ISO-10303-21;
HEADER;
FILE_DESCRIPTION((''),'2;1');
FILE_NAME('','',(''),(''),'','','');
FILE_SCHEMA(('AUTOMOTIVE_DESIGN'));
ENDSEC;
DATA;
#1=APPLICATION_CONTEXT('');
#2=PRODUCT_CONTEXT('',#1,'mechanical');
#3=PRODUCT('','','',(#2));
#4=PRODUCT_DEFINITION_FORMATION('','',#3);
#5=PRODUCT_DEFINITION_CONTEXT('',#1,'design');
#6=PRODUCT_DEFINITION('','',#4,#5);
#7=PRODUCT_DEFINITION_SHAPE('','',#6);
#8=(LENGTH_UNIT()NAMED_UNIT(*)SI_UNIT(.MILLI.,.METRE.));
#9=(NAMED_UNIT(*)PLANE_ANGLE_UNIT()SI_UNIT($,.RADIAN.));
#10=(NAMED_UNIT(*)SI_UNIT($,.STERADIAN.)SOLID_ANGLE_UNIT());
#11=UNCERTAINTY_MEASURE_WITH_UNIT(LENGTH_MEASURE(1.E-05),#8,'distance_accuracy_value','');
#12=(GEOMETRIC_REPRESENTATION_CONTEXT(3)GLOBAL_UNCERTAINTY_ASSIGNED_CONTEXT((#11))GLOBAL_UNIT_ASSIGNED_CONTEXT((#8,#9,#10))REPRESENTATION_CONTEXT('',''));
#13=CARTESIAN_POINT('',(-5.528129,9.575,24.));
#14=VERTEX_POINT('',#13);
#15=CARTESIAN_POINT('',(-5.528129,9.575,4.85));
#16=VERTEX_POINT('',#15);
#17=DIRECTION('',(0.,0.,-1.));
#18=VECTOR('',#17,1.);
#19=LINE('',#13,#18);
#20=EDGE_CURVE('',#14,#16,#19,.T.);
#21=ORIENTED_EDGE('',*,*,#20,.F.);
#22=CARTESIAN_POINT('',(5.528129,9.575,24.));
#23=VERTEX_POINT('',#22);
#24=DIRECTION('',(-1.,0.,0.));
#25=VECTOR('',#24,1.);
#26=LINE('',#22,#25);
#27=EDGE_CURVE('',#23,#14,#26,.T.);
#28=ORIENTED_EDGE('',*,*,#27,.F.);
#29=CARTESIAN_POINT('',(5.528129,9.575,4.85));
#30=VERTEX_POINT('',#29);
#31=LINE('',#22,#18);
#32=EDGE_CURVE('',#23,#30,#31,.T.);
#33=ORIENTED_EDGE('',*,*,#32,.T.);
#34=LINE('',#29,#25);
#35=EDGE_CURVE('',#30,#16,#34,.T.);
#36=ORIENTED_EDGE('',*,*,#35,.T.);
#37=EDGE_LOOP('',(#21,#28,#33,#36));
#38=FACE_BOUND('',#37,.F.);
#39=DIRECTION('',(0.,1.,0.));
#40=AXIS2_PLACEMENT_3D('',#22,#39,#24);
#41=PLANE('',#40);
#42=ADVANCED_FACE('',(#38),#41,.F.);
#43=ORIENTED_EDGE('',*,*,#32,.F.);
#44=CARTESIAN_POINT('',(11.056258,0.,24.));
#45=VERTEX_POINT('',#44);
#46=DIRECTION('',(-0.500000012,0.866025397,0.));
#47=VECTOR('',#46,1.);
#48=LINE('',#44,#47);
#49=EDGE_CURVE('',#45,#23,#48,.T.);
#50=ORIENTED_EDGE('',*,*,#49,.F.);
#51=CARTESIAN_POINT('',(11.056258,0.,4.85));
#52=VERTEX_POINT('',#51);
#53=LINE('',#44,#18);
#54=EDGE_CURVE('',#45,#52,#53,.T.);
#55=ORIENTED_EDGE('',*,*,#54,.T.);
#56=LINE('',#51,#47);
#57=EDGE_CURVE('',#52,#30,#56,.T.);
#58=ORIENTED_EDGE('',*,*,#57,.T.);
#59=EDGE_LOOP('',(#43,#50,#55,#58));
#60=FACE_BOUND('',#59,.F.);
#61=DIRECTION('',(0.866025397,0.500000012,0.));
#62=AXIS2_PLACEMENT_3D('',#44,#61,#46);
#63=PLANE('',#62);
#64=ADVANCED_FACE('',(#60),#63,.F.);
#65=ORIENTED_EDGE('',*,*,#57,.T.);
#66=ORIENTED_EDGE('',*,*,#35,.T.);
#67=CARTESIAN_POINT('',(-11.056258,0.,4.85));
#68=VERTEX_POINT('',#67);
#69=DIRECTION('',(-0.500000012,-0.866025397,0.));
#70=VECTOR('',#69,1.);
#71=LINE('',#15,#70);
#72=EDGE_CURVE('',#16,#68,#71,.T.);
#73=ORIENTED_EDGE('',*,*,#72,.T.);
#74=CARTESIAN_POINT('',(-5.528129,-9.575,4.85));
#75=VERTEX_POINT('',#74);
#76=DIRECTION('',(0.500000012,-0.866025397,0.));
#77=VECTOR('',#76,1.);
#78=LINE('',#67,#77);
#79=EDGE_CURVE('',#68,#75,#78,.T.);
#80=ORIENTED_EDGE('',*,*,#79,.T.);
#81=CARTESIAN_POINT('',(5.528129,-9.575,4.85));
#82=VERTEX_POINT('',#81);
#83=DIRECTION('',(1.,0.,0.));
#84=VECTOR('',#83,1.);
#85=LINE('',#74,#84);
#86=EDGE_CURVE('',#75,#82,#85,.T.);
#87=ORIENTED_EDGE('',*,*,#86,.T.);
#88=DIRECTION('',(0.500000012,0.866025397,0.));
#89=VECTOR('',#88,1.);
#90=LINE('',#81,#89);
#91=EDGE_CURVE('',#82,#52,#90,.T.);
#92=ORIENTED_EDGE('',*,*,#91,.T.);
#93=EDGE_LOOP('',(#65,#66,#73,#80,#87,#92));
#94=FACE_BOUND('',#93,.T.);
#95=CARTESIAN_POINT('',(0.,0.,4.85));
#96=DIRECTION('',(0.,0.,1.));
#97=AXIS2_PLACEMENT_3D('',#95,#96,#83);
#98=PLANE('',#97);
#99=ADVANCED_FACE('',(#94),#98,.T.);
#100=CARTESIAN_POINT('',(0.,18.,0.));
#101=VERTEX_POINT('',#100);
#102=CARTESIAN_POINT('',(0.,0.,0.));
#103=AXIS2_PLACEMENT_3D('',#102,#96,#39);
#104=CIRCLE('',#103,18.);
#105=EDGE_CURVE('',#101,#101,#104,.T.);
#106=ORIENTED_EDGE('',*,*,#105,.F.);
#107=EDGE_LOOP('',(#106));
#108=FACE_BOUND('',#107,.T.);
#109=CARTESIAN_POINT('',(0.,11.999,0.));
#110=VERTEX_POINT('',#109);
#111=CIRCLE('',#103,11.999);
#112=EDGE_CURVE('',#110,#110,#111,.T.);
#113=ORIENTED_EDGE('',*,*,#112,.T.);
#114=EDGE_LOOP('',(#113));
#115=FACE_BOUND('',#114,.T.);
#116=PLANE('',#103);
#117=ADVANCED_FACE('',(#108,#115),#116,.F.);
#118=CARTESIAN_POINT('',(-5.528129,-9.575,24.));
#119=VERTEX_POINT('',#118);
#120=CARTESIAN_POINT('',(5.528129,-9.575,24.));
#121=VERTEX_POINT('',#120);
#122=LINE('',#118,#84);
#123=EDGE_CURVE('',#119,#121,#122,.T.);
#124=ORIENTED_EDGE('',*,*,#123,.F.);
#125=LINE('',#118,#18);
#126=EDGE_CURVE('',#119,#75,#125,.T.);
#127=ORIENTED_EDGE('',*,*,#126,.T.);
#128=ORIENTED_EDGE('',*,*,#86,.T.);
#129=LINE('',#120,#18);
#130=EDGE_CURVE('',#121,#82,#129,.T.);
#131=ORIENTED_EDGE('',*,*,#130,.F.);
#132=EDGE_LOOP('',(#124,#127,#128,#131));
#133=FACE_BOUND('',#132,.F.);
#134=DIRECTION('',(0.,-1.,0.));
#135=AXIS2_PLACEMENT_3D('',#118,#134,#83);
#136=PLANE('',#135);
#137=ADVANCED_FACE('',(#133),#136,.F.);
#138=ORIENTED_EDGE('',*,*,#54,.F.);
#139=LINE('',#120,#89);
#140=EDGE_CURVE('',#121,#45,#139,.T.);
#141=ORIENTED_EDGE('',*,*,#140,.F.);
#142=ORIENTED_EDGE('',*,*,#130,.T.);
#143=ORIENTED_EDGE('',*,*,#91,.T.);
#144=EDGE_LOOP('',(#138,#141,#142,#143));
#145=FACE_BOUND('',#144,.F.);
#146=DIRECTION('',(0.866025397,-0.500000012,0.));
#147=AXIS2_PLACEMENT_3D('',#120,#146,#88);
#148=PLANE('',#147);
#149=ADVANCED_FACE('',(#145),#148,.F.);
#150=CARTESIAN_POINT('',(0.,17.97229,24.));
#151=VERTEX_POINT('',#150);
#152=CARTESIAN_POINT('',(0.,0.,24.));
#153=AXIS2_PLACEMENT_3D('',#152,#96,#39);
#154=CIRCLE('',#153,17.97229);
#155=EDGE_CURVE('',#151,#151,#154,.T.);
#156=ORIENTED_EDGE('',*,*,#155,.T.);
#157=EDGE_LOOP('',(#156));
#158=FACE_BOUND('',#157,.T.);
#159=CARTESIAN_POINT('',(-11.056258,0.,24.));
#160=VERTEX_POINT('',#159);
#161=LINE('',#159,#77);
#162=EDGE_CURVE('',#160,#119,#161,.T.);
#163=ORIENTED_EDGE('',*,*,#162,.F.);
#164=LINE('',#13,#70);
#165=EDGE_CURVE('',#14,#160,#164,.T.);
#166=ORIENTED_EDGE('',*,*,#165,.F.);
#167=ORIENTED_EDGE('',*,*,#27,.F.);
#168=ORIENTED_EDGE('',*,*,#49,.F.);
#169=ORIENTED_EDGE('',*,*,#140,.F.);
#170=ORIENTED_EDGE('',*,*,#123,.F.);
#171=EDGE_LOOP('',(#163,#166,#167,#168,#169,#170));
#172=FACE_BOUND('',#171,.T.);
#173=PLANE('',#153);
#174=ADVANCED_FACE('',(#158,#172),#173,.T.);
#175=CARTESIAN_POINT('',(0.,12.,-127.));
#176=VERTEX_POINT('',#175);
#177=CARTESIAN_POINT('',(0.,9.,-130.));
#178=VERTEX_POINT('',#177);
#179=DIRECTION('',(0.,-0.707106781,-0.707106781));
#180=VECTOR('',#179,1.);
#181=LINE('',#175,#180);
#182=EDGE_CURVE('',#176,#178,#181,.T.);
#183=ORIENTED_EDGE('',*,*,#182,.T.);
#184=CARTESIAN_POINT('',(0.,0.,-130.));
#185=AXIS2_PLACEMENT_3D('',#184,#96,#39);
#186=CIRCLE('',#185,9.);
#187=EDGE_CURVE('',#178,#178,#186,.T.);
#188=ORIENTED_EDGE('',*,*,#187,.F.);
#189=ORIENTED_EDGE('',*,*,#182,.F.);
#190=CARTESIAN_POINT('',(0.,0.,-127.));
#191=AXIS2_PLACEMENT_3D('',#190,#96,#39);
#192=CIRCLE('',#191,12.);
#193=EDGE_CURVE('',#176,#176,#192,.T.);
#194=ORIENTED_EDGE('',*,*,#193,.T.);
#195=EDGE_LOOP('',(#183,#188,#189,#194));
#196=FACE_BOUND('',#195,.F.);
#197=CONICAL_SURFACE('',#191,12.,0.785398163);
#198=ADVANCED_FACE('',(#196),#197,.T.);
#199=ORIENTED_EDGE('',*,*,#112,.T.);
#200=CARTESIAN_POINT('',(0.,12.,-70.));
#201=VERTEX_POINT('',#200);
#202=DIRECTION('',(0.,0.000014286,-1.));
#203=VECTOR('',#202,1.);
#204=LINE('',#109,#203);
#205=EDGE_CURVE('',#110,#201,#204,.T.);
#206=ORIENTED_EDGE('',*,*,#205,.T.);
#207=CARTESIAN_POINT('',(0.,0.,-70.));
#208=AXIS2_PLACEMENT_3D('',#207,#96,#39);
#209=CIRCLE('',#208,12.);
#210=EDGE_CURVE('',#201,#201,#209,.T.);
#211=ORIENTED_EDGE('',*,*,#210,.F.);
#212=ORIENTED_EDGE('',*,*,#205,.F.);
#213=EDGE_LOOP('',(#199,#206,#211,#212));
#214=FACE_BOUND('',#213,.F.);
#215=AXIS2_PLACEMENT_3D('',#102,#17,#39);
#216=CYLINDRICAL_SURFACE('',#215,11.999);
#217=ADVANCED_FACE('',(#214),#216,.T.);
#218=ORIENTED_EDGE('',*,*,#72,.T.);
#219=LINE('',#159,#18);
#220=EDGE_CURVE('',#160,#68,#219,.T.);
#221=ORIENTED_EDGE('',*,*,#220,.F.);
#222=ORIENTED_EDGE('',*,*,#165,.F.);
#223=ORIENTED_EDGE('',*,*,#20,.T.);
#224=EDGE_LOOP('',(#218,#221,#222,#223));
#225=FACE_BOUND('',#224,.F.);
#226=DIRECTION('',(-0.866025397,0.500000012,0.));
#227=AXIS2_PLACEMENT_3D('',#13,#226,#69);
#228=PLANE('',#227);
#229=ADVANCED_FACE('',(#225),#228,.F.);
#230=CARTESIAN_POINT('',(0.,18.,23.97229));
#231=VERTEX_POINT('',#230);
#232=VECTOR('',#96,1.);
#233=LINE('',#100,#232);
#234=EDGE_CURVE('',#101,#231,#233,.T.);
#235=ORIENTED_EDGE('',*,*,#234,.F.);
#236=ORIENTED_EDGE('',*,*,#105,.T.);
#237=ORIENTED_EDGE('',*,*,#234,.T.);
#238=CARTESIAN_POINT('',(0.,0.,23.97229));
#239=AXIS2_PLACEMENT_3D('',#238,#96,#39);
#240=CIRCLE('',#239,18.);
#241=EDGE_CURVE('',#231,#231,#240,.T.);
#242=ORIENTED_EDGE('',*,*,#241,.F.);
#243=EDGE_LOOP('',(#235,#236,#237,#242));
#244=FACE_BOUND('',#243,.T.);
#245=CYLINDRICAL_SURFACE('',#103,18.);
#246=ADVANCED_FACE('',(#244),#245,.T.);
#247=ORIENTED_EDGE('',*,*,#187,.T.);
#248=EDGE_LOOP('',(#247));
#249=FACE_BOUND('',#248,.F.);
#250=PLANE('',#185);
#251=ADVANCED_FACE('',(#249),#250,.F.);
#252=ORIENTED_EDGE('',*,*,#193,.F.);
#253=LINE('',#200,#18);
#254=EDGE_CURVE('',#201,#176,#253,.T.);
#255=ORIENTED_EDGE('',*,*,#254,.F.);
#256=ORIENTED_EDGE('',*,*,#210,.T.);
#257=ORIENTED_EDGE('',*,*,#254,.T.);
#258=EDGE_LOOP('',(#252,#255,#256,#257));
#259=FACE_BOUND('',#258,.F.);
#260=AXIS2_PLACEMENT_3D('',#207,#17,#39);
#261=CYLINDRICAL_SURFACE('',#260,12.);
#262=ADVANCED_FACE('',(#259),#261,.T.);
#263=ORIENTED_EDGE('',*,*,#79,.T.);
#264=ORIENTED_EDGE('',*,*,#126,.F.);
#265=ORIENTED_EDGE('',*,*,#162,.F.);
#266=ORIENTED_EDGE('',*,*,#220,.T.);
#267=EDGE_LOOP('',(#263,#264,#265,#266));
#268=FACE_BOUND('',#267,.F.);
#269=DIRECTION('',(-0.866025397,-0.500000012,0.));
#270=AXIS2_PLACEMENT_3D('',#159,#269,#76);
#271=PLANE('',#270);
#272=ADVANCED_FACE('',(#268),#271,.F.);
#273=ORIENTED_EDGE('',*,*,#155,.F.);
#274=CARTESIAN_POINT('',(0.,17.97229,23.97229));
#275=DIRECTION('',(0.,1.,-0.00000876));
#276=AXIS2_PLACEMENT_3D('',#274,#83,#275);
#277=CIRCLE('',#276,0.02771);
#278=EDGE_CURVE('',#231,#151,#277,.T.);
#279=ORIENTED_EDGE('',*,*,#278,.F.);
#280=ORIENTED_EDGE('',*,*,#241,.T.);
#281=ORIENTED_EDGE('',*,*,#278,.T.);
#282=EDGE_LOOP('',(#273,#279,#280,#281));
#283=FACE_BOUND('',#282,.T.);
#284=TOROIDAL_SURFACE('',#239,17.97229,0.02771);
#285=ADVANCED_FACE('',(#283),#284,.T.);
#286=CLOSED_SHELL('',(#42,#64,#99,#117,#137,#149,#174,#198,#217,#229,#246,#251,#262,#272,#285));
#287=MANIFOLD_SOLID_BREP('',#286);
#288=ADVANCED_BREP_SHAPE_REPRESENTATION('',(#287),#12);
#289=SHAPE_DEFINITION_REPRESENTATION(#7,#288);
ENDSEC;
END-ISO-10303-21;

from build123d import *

# Parameters (mm, degrees)
POCKET_DEPTH = 19.15


with BuildPart() as part:
    # Sketch → Revolve (revolve)
    with BuildSketch(Plane.YZ):
        with BuildLine():
            Line((11.999, 0), (18, 0))
            Line((18, 0), (18, 23.97229))
            ThreePointArc((18, 23.97229), (17.991884, 23.991884), (17.97229, 24))
            Line((17.97229, 24), (0, 24))
            Line((0, -130), (0, 24))
            Line((9, -130), (0, -130))
            Line((12, -127), (9, -130))
            Line((12, -70), (12, -127))
            Line((11.999, 0), (12, -70))
        make_face()
    revolve(axis=Axis((0, 0, 0), (0, 0, 1)))

    # Sketch001 → Pocket (cut)
    with BuildSketch(Plane.XY.offset(24)):
        Polygon((11.056258, 0), (5.528129, 9.575), (-5.528129, 9.575), (-11.056258, 0), (-5.528129, -9.575), (5.528129, -9.575), align=None)
    extrude(amount=-POCKET_DEPTH, mode=Mode.SUBTRACT)


solid = part.part
